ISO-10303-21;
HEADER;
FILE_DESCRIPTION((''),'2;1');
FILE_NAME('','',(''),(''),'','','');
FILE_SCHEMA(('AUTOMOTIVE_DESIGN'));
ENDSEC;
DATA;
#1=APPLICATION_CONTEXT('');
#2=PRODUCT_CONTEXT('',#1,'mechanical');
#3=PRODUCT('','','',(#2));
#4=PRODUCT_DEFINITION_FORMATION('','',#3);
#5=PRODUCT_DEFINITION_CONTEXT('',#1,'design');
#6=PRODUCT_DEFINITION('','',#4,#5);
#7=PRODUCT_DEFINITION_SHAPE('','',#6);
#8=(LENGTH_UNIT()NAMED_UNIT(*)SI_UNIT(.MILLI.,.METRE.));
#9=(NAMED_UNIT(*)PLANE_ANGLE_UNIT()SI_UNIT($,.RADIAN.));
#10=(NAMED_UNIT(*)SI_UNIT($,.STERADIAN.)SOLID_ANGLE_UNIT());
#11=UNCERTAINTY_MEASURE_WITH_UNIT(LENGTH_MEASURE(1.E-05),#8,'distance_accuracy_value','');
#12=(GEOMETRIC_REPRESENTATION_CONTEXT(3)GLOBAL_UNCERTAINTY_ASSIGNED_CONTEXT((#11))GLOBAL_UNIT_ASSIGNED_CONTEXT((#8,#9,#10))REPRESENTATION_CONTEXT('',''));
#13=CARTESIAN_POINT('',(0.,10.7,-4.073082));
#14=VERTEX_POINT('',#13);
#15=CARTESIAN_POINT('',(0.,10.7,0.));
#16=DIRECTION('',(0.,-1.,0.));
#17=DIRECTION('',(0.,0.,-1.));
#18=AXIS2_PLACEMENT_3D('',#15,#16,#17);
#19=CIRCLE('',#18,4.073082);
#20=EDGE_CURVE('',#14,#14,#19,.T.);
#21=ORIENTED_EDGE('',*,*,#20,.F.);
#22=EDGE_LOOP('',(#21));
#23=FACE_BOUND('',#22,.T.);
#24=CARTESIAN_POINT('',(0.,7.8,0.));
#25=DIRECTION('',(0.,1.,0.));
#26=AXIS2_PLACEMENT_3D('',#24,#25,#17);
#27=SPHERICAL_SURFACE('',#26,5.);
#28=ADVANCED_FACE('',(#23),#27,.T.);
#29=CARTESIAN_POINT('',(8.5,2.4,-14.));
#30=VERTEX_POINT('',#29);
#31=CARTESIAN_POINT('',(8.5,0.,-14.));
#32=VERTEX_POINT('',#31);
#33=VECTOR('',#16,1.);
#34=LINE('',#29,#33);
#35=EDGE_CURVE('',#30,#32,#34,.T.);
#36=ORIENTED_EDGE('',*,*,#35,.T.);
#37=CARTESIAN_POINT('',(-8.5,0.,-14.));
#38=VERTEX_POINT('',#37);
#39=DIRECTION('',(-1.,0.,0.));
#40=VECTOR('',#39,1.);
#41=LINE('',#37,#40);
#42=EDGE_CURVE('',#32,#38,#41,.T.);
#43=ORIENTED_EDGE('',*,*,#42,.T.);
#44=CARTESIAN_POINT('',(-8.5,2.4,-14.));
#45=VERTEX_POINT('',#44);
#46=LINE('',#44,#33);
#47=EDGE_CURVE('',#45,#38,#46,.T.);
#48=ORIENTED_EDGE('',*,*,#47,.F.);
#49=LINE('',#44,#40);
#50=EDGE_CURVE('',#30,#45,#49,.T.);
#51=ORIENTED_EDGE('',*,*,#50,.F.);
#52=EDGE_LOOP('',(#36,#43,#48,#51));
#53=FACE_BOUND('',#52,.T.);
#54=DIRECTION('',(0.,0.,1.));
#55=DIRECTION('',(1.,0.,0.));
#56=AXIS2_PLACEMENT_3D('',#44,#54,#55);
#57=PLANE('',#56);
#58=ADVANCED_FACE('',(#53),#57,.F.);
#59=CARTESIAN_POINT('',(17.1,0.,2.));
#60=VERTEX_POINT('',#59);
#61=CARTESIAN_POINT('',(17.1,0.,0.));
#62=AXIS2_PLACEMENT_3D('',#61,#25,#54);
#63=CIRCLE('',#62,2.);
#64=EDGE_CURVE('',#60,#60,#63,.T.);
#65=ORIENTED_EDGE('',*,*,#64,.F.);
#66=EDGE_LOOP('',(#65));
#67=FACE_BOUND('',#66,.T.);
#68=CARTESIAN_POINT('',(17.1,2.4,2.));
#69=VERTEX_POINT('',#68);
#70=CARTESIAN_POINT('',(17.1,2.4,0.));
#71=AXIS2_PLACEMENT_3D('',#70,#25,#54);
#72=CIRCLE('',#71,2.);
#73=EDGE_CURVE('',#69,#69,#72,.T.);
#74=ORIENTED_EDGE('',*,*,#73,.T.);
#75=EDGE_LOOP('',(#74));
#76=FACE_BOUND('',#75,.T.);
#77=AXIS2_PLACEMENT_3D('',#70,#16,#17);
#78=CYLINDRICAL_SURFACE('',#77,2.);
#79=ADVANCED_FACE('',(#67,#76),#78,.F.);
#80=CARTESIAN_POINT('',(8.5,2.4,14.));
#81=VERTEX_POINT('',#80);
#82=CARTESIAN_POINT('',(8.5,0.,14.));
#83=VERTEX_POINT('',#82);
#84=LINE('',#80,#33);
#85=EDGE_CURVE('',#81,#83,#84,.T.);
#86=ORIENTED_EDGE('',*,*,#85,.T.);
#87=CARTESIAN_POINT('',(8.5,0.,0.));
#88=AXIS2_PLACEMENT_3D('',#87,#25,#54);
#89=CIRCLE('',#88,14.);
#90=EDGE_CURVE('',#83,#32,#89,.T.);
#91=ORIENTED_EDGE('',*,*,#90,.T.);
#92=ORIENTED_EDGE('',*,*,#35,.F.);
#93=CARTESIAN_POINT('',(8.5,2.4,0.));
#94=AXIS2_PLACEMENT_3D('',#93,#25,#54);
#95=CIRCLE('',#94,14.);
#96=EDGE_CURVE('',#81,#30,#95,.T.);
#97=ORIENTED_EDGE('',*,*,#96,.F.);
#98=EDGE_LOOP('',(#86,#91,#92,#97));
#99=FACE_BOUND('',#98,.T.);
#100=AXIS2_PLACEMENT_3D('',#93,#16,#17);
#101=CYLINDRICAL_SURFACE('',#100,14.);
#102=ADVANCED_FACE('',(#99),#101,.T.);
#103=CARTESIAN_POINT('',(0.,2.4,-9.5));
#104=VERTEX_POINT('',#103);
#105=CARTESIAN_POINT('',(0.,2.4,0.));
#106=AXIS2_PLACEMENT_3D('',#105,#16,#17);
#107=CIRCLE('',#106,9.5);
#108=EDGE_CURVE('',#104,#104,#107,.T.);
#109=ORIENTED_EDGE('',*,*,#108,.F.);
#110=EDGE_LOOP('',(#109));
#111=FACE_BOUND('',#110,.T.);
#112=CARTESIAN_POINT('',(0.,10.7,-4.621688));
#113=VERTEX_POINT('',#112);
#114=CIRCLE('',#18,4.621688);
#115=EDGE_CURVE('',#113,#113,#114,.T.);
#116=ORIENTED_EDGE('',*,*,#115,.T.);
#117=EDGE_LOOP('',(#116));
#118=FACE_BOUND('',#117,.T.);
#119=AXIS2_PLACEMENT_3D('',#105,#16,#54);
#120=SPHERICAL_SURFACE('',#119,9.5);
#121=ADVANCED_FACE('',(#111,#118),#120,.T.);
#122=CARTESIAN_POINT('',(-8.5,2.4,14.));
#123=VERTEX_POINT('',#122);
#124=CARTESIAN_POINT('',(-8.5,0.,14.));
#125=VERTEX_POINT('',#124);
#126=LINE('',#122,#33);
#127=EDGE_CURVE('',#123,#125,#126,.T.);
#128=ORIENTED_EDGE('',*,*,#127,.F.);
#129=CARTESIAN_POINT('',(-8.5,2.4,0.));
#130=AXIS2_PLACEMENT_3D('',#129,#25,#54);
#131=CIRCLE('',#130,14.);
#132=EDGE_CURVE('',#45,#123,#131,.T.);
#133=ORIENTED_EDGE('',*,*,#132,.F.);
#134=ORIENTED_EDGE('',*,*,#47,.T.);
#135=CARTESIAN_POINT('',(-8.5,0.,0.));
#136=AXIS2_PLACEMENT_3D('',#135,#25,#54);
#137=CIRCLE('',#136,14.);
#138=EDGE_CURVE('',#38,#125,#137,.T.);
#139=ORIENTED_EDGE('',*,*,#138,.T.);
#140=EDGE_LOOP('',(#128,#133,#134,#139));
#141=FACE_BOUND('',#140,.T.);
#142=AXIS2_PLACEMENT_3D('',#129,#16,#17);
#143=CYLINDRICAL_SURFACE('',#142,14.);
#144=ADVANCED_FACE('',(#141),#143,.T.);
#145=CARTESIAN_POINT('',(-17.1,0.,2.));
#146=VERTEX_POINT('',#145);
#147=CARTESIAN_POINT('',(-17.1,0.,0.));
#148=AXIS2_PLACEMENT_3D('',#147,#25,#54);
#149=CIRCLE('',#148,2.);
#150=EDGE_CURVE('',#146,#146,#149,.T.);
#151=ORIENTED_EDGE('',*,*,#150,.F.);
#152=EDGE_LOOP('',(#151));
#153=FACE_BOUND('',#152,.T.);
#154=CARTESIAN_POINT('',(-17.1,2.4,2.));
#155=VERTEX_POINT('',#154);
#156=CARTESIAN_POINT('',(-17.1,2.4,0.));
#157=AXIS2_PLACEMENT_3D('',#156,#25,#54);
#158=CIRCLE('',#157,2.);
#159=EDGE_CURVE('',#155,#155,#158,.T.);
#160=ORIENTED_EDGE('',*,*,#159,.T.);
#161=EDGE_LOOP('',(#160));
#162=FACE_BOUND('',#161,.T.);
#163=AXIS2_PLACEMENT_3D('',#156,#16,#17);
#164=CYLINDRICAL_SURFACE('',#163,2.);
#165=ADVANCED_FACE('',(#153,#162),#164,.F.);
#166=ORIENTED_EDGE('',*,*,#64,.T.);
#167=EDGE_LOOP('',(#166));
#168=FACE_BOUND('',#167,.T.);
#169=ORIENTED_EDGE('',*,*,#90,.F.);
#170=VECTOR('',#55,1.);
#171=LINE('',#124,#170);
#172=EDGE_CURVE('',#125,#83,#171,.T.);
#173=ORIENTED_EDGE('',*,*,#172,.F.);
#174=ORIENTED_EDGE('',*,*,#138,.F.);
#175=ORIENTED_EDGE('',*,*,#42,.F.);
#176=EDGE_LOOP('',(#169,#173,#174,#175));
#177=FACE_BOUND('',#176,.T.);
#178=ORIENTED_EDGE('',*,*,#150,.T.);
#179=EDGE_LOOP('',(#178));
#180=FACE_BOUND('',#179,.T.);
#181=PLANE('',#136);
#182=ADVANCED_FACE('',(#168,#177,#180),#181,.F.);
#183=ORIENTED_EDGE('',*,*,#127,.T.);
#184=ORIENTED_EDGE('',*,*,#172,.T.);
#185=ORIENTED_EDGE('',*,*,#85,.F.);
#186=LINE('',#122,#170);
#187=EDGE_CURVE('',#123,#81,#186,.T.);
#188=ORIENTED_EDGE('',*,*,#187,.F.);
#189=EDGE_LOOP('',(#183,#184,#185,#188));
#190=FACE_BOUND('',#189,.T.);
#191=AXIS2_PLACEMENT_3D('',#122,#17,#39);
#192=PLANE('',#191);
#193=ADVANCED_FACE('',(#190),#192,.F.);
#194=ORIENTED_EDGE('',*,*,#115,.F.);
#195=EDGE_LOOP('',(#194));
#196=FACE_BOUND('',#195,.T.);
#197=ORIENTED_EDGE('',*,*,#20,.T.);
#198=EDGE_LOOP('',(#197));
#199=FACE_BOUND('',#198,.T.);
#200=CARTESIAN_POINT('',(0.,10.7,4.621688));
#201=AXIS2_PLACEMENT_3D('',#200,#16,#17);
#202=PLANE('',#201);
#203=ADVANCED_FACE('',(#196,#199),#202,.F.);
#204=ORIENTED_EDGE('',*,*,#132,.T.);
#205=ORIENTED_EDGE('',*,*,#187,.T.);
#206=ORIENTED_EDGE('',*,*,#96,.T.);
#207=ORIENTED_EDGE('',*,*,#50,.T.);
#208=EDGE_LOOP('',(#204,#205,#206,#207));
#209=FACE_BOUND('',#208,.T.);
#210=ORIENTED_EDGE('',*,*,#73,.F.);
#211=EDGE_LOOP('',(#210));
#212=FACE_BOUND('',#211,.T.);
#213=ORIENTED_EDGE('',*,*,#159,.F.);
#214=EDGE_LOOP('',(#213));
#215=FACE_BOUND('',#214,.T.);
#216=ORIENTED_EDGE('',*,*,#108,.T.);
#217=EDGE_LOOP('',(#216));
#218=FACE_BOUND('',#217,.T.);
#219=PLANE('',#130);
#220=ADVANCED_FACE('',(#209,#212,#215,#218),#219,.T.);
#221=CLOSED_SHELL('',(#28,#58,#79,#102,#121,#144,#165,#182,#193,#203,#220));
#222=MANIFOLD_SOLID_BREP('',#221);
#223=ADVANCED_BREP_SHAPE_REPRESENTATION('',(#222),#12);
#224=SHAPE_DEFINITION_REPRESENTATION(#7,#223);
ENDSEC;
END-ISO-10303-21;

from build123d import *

# Parameters (mm, degrees)
SKETCH1_R           = 2
BOSS_EXTRUDE1_DEPTH = 2.4


with BuildPart() as part:
    # Sketch1 → Boss-Extrude1 (new body)
    with BuildSketch(Plane(origin=(0, 0, 0), x_dir=(1, 0, 0), z_dir=(0, 1, 0))):
        with BuildLine():
            Line((-8.5, 14), (8.5, 14))
            ThreePointArc((8.5, 14), (22.5, 0), (8.5, -14))
            Line((8.5, -14), (-8.5, -14))
            ThreePointArc((-8.5, -14), (-22.5, 0), (-8.5, 14))
        make_face()
        with Locations(Location((17.1, 0, 0), (0, 0, 270))):
            Circle(SKETCH1_R, mode=Mode.SUBTRACT)
        with Locations(Location((-17.1, 0, 0), (0, 0, 270))):
            Circle(SKETCH1_R, mode=Mode.SUBTRACT)
    extrude(amount=BOSS_EXTRUDE1_DEPTH)

    # Sketch2 → Revolve1 (revolve)
    with BuildSketch(Plane(origin=(0, 0, 0), x_dir=(0, 0, -1), z_dir=(1, 0, 0)), mode=Mode.PRIVATE) as revolve1_sk:
        with BuildLine():
            Line((-4.621688003, 10.7), (0, 10.7))
            Line((0, 10.7), (0, 2.4))
            Line((0, 2.4), (-9.5, 2.4))
            ThreePointArc((-9.5, 2.4), (-8.190117094, 7.213728491), (-4.621688003, 10.7))
        make_face()
    revolve(revolve1_sk.sketch.rotate(Axis((0, 2.4, 0), (0, 1, 0)), 180), axis=Axis((0, 2.4, 0), (0, 1, 0)))

    # Sketch3 → Revolve2 (revolve)
    with BuildSketch(Plane(origin=(0, 0, 0), x_dir=(0, 0, -1), z_dir=(1, 0, 0))):
        with BuildLine():
            Line((0, 12.8), (0, 2.8))
            ThreePointArc((0, 2.8), (-5, 7.8), (0, 12.8))
        make_face()
    revolve(axis=Axis((0, 12.8, 0), (0, -1, 0)))


solid = part.part
